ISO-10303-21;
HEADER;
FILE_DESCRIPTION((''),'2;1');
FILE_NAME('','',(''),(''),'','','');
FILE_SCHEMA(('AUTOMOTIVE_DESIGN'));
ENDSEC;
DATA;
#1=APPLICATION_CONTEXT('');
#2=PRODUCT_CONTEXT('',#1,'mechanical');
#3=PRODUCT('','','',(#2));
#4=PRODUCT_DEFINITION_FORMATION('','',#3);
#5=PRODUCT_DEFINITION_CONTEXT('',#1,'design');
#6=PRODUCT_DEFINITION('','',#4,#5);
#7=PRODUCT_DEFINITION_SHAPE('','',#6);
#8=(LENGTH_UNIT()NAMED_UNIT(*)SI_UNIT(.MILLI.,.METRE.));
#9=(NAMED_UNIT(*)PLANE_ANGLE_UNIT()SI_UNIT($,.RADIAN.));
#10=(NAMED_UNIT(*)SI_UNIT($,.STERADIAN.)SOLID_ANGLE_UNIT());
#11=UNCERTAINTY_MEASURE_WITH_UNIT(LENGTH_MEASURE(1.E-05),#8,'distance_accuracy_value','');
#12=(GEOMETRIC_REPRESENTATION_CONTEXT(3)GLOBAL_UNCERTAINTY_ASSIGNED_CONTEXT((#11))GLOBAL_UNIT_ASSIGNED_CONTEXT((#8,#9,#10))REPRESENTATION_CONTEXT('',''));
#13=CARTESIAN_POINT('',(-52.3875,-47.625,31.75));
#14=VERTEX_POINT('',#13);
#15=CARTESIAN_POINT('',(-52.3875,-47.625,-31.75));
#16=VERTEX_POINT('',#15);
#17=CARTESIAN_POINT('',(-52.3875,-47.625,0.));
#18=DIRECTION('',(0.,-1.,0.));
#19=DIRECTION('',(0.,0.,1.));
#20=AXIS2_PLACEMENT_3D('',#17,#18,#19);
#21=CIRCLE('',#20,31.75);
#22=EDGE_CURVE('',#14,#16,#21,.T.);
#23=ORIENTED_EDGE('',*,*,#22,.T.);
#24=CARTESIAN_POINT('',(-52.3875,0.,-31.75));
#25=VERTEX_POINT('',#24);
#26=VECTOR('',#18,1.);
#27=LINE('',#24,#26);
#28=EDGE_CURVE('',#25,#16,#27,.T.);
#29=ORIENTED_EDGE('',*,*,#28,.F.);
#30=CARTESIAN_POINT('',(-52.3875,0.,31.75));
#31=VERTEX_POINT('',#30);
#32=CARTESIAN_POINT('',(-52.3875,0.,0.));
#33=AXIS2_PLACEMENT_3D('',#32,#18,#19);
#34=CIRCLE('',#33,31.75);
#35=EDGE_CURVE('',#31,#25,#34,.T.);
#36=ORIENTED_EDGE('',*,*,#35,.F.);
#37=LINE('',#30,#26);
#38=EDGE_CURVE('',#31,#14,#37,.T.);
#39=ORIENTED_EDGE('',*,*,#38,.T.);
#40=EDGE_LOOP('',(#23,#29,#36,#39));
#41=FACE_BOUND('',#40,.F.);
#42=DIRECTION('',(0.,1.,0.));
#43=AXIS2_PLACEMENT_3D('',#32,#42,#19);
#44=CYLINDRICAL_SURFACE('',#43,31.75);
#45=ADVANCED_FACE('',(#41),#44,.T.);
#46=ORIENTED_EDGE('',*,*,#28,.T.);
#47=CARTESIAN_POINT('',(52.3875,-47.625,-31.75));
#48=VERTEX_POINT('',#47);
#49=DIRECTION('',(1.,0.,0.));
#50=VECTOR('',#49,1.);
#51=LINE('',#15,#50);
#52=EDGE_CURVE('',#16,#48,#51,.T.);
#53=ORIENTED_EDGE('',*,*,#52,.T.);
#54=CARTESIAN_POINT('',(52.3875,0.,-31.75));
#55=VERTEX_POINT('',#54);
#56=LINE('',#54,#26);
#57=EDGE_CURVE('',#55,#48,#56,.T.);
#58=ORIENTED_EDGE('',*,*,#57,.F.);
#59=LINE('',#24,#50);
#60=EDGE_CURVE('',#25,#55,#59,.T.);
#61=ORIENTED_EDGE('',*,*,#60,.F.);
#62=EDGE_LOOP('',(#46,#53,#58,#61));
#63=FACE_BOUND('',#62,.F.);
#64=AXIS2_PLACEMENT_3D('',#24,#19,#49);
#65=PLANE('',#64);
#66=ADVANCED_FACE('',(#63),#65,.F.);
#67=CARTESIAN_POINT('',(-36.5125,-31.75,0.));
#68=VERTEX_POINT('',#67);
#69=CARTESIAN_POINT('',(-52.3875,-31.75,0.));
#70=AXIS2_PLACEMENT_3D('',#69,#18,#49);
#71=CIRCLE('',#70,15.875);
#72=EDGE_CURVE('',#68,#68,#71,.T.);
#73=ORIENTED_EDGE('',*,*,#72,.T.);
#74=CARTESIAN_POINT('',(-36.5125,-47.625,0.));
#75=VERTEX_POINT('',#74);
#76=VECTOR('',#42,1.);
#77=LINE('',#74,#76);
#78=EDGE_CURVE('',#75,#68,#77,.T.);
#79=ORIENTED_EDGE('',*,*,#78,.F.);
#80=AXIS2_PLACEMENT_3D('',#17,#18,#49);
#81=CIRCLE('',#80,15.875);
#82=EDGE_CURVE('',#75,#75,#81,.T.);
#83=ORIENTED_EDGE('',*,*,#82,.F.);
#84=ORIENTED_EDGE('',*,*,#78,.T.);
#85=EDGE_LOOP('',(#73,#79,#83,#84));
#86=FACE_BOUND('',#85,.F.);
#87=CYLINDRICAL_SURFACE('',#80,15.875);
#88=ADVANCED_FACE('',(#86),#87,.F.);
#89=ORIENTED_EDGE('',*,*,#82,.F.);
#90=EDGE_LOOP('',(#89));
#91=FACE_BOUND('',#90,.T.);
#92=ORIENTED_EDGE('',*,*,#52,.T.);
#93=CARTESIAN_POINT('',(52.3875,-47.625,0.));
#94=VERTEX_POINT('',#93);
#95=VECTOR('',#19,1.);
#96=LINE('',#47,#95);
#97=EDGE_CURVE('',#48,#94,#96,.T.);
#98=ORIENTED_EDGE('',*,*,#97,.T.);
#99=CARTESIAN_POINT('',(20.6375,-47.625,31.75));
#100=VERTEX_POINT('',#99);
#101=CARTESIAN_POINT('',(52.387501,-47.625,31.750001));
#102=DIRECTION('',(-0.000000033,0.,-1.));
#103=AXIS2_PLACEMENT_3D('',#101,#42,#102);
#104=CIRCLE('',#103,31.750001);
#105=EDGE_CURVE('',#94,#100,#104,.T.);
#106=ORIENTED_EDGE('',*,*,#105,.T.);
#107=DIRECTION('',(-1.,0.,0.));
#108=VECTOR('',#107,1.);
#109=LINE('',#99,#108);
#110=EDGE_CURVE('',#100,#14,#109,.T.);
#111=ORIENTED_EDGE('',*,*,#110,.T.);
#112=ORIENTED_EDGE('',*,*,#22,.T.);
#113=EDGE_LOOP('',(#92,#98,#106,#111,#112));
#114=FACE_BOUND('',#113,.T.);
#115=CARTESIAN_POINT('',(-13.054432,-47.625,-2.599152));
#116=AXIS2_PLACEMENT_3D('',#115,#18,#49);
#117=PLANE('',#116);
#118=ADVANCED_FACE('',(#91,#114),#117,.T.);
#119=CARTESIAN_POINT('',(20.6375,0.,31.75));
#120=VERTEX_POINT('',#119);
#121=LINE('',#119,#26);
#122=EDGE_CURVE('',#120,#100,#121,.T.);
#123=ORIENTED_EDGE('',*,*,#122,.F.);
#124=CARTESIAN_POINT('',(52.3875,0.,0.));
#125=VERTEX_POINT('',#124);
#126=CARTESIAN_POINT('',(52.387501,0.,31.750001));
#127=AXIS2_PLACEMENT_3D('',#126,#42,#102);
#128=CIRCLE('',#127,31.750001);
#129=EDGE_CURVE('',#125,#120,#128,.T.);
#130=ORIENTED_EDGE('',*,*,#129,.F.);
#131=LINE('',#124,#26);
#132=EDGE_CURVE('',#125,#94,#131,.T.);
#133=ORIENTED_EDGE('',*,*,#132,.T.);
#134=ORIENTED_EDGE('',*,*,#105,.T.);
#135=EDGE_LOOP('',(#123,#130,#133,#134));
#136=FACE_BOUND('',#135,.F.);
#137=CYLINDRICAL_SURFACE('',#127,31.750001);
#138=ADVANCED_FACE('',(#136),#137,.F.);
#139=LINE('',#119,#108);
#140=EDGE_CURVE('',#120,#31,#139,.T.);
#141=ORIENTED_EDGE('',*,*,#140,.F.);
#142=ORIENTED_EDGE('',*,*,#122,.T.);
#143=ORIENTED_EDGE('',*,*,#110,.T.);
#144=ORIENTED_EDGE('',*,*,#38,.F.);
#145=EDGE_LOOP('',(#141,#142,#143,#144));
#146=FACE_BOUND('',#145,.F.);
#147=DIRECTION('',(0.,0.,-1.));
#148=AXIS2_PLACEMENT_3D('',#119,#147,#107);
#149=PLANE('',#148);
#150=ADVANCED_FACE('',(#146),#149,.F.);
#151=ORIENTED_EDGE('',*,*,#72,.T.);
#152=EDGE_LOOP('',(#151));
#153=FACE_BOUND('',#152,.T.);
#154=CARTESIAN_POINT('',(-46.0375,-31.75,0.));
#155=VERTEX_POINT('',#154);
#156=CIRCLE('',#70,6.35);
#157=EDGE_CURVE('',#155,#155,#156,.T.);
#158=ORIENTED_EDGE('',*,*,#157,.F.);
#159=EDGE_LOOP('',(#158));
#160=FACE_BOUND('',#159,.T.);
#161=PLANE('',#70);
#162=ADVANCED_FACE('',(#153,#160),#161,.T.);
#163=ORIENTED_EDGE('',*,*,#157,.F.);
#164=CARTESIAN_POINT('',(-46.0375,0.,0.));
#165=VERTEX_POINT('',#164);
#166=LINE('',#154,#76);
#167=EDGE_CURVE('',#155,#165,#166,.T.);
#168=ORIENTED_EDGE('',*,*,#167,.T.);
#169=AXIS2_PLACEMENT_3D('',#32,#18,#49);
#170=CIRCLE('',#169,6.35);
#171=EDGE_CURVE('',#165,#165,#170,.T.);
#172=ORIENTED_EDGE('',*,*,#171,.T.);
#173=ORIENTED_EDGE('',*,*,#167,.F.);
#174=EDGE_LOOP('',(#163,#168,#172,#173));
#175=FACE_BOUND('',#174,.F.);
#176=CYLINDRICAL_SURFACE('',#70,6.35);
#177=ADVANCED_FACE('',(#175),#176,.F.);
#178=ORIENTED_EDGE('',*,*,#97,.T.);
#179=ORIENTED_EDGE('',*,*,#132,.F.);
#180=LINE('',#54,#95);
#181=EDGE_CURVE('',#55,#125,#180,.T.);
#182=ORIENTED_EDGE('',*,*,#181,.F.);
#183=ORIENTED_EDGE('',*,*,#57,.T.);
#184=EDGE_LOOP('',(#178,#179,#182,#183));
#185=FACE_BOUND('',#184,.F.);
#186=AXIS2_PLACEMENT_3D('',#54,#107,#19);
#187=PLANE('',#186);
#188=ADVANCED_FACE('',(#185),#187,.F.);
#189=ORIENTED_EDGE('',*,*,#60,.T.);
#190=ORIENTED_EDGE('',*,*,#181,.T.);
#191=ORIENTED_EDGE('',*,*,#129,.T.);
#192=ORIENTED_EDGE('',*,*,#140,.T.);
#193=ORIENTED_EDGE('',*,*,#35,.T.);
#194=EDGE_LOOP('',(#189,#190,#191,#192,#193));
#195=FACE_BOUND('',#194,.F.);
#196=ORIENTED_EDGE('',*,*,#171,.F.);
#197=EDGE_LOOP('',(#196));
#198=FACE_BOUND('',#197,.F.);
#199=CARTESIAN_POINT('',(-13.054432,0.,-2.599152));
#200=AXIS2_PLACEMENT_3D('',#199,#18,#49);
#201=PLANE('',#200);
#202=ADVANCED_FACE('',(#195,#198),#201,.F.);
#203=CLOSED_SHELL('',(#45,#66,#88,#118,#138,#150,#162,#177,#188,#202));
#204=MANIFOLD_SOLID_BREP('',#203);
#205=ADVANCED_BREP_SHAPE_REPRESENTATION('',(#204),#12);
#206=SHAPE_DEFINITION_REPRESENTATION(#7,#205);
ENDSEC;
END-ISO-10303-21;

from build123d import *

# Parameters (mm, degrees)
F1_DEPTH = 47.625
F2_R     = 15.875
F3_DEPTH = 15.875
F4_R     = 6.35
F5_DEPTH = 34.29


with BuildPart() as f1:
    # F0 (on Front) → F1 (new body)
    with BuildSketch(Plane.XZ):
        with BuildLine():
            ThreePointArc((-52.3875, 31.75), (-84.1375, 0), (-52.3875, -31.75))
            Line((-52.3875, -31.75), (52.3875, -31.75))
            Line((52.3875, -31.75), (52.3875, 0))
            ThreePointArc((52.3875, 0), (29.93686, 9.29936), (20.6375, 31.75))
            Line((20.6375, 31.75), (-52.3875, 31.75))
        make_face()
    extrude(amount=F1_DEPTH)

    # F2 (on face) → F3 (cut)
    with BuildSketch(Plane.XZ.offset(47.625)):
        with Locations((-52.3875, 0)):
            Circle(F2_R)
    extrude(amount=-F3_DEPTH, mode=Mode.SUBTRACT)

    # F4 (on face) → F5 (cut)
    with BuildSketch(Plane.XZ.offset(31.75)):
        with Locations((-52.3875, 0)):
            Circle(F4_R)
    extrude(amount=-F5_DEPTH, mode=Mode.SUBTRACT)


solid = f1.part
